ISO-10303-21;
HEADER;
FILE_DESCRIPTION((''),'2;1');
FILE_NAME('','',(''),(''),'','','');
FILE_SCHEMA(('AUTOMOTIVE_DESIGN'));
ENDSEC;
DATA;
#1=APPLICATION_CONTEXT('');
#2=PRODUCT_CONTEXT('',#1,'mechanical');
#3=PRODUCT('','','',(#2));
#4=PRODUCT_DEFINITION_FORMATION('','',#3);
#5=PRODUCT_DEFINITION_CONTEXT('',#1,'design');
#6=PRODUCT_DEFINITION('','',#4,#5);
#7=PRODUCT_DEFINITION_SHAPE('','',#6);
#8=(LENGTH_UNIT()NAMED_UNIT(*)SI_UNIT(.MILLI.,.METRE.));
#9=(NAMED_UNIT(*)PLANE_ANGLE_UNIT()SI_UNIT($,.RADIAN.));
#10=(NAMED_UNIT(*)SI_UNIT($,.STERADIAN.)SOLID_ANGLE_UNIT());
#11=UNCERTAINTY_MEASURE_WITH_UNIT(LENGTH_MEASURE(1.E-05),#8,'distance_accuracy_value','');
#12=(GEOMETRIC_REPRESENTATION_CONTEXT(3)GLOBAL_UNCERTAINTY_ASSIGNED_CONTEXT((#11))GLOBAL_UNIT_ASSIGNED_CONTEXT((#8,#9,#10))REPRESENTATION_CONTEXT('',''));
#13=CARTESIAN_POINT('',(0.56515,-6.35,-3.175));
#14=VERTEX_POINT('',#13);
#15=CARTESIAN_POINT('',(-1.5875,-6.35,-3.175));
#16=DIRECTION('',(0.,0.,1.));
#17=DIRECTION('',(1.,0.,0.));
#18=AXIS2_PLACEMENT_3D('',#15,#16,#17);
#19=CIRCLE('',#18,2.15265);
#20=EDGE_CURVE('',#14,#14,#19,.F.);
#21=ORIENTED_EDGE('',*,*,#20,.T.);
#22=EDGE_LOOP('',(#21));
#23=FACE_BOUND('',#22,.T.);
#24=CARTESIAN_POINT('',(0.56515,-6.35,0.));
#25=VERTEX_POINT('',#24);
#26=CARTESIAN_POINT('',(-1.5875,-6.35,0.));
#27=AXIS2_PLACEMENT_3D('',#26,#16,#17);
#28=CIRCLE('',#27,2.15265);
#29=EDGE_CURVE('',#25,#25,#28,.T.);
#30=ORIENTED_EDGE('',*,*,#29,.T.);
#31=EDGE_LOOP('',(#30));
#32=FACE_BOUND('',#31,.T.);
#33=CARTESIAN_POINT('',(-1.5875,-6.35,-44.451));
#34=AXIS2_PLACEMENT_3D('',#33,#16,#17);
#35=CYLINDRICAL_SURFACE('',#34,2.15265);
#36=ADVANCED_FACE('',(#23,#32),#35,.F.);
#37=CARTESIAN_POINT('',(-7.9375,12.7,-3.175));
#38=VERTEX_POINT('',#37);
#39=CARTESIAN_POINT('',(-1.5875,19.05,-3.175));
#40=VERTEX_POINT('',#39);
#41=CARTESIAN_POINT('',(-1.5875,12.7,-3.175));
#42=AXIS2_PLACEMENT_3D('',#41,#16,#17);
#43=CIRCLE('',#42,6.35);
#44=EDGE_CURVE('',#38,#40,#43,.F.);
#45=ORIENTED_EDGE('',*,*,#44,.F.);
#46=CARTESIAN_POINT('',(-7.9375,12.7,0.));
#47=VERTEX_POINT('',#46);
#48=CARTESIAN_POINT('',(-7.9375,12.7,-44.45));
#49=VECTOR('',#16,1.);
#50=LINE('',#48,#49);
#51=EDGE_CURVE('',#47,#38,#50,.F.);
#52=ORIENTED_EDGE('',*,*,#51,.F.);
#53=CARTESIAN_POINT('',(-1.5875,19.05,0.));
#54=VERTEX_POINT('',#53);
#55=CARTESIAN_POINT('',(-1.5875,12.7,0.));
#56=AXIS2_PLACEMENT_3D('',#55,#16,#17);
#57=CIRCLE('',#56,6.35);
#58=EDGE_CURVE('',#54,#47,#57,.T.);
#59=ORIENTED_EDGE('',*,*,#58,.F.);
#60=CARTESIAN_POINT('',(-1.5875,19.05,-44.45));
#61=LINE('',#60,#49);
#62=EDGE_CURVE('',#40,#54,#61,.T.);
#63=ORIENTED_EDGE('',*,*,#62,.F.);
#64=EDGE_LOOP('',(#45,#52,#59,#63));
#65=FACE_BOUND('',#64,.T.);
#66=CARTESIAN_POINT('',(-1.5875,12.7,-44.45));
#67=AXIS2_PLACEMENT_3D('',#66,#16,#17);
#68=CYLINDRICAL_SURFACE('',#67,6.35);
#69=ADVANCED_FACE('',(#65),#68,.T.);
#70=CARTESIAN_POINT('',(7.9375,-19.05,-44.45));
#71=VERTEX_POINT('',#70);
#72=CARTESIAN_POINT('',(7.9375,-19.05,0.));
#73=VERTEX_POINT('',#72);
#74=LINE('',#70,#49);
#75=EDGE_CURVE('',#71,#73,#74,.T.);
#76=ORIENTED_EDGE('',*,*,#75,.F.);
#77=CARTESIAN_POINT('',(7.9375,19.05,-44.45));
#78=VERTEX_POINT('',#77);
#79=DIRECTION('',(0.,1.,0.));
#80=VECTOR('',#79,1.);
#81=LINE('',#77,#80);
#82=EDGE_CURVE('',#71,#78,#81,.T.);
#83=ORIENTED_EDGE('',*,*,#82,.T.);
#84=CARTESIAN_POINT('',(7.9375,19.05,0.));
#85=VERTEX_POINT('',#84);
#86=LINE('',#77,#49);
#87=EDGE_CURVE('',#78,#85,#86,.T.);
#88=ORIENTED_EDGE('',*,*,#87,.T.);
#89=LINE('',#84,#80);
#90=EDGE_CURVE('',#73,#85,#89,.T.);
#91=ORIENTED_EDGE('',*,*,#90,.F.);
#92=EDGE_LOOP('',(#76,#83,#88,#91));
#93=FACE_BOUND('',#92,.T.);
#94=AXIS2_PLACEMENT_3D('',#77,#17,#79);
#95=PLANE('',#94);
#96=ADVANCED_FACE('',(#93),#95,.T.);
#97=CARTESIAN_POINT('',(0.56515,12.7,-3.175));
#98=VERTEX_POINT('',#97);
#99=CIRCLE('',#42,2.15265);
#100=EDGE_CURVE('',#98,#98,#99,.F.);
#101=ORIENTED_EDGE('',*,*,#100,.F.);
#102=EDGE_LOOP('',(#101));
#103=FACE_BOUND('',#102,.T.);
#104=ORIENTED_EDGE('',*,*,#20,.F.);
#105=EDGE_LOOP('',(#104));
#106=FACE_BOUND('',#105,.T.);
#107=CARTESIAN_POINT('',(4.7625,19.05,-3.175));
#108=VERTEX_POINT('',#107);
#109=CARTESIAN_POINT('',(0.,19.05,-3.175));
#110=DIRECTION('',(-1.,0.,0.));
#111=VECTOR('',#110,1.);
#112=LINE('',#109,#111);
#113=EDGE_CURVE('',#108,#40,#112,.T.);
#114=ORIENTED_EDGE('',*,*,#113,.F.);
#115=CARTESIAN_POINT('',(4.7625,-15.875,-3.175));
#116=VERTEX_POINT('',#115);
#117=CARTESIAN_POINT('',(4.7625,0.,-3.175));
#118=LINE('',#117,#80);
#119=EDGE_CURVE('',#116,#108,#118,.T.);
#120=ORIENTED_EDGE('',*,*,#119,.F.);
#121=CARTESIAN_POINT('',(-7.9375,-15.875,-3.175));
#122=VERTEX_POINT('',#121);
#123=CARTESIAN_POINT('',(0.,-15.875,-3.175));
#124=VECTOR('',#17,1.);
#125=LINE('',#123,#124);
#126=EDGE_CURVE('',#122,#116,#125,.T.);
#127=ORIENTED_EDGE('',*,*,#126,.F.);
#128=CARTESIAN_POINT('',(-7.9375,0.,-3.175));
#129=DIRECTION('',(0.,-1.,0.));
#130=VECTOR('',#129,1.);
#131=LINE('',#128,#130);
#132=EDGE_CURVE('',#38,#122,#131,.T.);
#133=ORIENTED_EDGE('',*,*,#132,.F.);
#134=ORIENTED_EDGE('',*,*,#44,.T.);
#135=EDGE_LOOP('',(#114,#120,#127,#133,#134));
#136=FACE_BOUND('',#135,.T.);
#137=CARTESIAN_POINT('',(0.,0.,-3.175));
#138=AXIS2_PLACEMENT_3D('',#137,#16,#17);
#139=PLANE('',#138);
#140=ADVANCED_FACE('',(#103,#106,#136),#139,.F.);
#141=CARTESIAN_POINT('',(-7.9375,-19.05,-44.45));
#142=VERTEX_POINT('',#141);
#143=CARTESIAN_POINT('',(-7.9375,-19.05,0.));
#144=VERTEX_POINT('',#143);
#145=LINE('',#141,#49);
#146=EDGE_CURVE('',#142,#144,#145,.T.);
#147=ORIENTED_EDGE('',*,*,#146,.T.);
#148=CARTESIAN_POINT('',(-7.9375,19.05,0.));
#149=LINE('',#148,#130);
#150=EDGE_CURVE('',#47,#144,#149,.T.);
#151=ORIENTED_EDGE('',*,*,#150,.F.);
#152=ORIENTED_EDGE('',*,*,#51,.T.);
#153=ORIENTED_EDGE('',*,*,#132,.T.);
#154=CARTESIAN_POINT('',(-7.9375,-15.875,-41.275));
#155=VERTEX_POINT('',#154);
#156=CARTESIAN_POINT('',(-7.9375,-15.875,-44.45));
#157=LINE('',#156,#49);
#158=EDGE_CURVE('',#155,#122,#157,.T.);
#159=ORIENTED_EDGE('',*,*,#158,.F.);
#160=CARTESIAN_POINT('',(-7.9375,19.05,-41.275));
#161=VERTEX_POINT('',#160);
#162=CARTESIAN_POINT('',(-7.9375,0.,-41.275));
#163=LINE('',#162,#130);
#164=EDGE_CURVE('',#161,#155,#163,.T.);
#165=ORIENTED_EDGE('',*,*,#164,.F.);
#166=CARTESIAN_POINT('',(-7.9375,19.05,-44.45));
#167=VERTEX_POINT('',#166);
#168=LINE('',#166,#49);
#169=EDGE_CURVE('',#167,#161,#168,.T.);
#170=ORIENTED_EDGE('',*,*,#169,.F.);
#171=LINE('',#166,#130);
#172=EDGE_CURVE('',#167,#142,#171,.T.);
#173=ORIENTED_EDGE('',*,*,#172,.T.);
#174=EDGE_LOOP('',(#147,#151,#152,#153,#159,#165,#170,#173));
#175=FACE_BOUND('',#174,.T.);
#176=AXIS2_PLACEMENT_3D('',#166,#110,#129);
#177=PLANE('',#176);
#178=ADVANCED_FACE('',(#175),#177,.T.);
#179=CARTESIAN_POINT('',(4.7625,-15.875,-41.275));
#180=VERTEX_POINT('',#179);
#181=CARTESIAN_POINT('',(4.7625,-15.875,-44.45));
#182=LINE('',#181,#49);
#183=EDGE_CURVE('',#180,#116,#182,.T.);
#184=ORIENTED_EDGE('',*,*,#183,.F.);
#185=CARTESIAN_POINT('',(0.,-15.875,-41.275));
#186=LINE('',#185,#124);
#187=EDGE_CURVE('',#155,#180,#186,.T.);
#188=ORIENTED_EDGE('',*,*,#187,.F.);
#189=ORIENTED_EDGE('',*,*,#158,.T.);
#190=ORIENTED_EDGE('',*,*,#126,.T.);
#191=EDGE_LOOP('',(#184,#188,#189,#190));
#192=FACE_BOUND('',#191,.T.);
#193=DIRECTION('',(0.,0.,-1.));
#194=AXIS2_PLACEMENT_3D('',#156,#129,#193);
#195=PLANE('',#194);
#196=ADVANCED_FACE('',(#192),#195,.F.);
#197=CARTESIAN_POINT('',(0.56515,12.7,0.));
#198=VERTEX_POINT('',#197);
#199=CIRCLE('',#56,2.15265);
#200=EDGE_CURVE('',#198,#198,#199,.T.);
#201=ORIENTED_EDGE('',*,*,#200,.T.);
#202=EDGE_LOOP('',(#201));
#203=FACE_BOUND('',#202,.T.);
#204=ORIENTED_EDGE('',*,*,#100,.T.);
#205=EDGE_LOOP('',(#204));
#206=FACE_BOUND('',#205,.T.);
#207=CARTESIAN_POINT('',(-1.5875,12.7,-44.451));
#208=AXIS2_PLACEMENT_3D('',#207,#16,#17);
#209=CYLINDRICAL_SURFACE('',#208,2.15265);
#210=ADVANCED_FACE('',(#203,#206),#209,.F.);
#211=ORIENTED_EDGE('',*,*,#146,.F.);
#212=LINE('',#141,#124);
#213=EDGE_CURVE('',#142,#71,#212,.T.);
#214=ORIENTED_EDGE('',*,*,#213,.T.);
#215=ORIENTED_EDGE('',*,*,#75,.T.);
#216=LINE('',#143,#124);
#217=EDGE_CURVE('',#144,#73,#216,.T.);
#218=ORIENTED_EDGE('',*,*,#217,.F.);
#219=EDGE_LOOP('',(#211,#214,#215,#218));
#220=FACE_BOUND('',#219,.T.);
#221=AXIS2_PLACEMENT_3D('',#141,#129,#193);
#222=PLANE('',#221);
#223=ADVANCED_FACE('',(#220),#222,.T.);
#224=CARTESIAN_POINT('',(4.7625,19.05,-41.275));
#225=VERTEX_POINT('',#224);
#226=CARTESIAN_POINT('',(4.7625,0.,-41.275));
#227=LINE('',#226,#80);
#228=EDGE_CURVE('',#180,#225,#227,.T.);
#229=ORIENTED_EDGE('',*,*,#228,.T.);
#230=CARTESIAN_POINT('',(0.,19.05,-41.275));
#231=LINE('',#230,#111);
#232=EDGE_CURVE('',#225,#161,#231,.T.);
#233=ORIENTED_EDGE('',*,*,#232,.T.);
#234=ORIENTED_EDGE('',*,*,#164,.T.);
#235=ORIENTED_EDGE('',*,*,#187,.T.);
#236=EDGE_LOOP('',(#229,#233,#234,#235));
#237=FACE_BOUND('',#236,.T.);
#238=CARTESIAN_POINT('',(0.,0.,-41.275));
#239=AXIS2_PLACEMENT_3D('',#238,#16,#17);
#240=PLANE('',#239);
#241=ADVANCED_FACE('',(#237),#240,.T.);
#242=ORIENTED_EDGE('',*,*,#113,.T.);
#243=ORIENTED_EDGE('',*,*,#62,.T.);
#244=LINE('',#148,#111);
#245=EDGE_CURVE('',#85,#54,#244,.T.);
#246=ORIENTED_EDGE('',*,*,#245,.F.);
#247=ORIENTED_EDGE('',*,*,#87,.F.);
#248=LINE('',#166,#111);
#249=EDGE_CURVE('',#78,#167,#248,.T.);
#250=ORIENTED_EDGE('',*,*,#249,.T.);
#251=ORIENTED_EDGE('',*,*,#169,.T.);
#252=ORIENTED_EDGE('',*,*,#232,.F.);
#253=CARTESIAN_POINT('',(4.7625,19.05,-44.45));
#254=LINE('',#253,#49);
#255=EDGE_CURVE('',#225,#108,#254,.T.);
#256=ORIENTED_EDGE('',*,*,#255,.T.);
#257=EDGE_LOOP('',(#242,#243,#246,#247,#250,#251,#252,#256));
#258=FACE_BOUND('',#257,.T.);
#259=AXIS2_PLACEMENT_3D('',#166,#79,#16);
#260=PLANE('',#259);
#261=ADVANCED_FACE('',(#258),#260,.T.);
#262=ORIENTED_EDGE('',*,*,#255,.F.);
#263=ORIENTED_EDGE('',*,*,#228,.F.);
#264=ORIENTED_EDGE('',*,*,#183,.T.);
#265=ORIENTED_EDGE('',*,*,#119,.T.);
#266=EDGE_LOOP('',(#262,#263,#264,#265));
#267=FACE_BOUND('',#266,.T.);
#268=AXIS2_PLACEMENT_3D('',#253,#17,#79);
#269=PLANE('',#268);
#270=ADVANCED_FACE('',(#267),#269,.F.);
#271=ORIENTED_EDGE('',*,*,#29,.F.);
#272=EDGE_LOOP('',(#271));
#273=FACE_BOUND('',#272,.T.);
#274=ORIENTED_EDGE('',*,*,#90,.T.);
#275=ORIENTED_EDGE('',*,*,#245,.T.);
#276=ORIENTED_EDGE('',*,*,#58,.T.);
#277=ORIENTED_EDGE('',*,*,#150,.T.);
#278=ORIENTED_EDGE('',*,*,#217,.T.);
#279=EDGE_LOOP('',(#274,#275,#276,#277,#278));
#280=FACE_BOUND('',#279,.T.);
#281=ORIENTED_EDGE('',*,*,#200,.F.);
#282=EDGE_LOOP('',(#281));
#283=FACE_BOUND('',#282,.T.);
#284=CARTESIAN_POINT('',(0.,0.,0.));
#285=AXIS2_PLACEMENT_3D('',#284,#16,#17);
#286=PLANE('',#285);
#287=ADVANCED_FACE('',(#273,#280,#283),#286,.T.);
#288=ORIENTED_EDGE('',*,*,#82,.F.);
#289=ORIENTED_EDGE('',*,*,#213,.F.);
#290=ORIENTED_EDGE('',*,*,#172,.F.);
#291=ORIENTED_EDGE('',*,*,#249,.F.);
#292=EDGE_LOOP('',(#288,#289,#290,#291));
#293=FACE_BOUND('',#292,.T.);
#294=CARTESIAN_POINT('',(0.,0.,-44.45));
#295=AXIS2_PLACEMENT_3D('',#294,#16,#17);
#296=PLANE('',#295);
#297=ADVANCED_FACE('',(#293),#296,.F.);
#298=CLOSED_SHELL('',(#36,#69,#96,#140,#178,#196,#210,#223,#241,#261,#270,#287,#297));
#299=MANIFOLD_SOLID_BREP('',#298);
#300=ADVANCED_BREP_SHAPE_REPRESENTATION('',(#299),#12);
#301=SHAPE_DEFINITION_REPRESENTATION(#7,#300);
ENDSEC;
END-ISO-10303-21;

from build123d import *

# Parameters (mm, degrees)
SKETCH1_W           = 15.875
SKETCH1_H           = 38.1
BOSS_EXTRUDE1_DEPTH = 44.45
SHELL1_T            = -3.175
CUT_EXTRUDE1_REACH  = 51.007
SKETCH2_R           = 2.15265
FILLET2_R           = 6.35


with BuildPart() as part:
    # Sketch1 → Boss-Extrude1 (new body)
    with BuildSketch(Plane.XY):
        Rectangle(SKETCH1_W, SKETCH1_H)
    extrude(amount=-BOSS_EXTRUDE1_DEPTH)

    # Shell1
    shell1_openings = [part.faces().sort_by_distance(p)[0] for p in [
        (-7.9375, 0, -22.225),
        (0, 19.05, -22.225),
    ]]
    offset(amount=SHELL1_T, openings=shell1_openings, kind=Kind.INTERSECTION)

    # Sketch2 → Cut-Extrude1 (cut, up to next)
    with BuildSketch(Plane.XY, mode=Mode.PRIVATE) as cut_extrude1_sk1:
        with Locations((-1.5875, -6.35)):
            Circle(SKETCH2_R)
    cut_extrude1_tool1 = extrude(cut_extrude1_sk1.sketch, amount=-CUT_EXTRUDE1_REACH, mode=Mode.PRIVATE) & part.part
    # Sketch2 → Cut-Extrude1 (cut, up to next)
    with BuildSketch(Plane.XY, mode=Mode.PRIVATE) as cut_extrude1_sk2:
        with Locations((-1.5875, 12.7)):
            Circle(SKETCH2_R)
    cut_extrude1_tool2 = extrude(cut_extrude1_sk2.sketch, amount=-CUT_EXTRUDE1_REACH, mode=Mode.PRIVATE) & part.part
    add(cut_extrude1_tool1.solids().sort_by_distance((-1.5875, -6.35, 0))[0], mode=Mode.SUBTRACT)
    add(cut_extrude1_tool2.solids().sort_by_distance((-1.5875, 12.7, 0))[0], mode=Mode.SUBTRACT)

    # Fillet2
    fillet2_edges = [part.edges().sort_by_distance(p)[0] for p in [
        (-7.9375, 19.05, -1.5875),
    ]]
    fillet(fillet2_edges, radius=FILLET2_R)


solid = part.part
